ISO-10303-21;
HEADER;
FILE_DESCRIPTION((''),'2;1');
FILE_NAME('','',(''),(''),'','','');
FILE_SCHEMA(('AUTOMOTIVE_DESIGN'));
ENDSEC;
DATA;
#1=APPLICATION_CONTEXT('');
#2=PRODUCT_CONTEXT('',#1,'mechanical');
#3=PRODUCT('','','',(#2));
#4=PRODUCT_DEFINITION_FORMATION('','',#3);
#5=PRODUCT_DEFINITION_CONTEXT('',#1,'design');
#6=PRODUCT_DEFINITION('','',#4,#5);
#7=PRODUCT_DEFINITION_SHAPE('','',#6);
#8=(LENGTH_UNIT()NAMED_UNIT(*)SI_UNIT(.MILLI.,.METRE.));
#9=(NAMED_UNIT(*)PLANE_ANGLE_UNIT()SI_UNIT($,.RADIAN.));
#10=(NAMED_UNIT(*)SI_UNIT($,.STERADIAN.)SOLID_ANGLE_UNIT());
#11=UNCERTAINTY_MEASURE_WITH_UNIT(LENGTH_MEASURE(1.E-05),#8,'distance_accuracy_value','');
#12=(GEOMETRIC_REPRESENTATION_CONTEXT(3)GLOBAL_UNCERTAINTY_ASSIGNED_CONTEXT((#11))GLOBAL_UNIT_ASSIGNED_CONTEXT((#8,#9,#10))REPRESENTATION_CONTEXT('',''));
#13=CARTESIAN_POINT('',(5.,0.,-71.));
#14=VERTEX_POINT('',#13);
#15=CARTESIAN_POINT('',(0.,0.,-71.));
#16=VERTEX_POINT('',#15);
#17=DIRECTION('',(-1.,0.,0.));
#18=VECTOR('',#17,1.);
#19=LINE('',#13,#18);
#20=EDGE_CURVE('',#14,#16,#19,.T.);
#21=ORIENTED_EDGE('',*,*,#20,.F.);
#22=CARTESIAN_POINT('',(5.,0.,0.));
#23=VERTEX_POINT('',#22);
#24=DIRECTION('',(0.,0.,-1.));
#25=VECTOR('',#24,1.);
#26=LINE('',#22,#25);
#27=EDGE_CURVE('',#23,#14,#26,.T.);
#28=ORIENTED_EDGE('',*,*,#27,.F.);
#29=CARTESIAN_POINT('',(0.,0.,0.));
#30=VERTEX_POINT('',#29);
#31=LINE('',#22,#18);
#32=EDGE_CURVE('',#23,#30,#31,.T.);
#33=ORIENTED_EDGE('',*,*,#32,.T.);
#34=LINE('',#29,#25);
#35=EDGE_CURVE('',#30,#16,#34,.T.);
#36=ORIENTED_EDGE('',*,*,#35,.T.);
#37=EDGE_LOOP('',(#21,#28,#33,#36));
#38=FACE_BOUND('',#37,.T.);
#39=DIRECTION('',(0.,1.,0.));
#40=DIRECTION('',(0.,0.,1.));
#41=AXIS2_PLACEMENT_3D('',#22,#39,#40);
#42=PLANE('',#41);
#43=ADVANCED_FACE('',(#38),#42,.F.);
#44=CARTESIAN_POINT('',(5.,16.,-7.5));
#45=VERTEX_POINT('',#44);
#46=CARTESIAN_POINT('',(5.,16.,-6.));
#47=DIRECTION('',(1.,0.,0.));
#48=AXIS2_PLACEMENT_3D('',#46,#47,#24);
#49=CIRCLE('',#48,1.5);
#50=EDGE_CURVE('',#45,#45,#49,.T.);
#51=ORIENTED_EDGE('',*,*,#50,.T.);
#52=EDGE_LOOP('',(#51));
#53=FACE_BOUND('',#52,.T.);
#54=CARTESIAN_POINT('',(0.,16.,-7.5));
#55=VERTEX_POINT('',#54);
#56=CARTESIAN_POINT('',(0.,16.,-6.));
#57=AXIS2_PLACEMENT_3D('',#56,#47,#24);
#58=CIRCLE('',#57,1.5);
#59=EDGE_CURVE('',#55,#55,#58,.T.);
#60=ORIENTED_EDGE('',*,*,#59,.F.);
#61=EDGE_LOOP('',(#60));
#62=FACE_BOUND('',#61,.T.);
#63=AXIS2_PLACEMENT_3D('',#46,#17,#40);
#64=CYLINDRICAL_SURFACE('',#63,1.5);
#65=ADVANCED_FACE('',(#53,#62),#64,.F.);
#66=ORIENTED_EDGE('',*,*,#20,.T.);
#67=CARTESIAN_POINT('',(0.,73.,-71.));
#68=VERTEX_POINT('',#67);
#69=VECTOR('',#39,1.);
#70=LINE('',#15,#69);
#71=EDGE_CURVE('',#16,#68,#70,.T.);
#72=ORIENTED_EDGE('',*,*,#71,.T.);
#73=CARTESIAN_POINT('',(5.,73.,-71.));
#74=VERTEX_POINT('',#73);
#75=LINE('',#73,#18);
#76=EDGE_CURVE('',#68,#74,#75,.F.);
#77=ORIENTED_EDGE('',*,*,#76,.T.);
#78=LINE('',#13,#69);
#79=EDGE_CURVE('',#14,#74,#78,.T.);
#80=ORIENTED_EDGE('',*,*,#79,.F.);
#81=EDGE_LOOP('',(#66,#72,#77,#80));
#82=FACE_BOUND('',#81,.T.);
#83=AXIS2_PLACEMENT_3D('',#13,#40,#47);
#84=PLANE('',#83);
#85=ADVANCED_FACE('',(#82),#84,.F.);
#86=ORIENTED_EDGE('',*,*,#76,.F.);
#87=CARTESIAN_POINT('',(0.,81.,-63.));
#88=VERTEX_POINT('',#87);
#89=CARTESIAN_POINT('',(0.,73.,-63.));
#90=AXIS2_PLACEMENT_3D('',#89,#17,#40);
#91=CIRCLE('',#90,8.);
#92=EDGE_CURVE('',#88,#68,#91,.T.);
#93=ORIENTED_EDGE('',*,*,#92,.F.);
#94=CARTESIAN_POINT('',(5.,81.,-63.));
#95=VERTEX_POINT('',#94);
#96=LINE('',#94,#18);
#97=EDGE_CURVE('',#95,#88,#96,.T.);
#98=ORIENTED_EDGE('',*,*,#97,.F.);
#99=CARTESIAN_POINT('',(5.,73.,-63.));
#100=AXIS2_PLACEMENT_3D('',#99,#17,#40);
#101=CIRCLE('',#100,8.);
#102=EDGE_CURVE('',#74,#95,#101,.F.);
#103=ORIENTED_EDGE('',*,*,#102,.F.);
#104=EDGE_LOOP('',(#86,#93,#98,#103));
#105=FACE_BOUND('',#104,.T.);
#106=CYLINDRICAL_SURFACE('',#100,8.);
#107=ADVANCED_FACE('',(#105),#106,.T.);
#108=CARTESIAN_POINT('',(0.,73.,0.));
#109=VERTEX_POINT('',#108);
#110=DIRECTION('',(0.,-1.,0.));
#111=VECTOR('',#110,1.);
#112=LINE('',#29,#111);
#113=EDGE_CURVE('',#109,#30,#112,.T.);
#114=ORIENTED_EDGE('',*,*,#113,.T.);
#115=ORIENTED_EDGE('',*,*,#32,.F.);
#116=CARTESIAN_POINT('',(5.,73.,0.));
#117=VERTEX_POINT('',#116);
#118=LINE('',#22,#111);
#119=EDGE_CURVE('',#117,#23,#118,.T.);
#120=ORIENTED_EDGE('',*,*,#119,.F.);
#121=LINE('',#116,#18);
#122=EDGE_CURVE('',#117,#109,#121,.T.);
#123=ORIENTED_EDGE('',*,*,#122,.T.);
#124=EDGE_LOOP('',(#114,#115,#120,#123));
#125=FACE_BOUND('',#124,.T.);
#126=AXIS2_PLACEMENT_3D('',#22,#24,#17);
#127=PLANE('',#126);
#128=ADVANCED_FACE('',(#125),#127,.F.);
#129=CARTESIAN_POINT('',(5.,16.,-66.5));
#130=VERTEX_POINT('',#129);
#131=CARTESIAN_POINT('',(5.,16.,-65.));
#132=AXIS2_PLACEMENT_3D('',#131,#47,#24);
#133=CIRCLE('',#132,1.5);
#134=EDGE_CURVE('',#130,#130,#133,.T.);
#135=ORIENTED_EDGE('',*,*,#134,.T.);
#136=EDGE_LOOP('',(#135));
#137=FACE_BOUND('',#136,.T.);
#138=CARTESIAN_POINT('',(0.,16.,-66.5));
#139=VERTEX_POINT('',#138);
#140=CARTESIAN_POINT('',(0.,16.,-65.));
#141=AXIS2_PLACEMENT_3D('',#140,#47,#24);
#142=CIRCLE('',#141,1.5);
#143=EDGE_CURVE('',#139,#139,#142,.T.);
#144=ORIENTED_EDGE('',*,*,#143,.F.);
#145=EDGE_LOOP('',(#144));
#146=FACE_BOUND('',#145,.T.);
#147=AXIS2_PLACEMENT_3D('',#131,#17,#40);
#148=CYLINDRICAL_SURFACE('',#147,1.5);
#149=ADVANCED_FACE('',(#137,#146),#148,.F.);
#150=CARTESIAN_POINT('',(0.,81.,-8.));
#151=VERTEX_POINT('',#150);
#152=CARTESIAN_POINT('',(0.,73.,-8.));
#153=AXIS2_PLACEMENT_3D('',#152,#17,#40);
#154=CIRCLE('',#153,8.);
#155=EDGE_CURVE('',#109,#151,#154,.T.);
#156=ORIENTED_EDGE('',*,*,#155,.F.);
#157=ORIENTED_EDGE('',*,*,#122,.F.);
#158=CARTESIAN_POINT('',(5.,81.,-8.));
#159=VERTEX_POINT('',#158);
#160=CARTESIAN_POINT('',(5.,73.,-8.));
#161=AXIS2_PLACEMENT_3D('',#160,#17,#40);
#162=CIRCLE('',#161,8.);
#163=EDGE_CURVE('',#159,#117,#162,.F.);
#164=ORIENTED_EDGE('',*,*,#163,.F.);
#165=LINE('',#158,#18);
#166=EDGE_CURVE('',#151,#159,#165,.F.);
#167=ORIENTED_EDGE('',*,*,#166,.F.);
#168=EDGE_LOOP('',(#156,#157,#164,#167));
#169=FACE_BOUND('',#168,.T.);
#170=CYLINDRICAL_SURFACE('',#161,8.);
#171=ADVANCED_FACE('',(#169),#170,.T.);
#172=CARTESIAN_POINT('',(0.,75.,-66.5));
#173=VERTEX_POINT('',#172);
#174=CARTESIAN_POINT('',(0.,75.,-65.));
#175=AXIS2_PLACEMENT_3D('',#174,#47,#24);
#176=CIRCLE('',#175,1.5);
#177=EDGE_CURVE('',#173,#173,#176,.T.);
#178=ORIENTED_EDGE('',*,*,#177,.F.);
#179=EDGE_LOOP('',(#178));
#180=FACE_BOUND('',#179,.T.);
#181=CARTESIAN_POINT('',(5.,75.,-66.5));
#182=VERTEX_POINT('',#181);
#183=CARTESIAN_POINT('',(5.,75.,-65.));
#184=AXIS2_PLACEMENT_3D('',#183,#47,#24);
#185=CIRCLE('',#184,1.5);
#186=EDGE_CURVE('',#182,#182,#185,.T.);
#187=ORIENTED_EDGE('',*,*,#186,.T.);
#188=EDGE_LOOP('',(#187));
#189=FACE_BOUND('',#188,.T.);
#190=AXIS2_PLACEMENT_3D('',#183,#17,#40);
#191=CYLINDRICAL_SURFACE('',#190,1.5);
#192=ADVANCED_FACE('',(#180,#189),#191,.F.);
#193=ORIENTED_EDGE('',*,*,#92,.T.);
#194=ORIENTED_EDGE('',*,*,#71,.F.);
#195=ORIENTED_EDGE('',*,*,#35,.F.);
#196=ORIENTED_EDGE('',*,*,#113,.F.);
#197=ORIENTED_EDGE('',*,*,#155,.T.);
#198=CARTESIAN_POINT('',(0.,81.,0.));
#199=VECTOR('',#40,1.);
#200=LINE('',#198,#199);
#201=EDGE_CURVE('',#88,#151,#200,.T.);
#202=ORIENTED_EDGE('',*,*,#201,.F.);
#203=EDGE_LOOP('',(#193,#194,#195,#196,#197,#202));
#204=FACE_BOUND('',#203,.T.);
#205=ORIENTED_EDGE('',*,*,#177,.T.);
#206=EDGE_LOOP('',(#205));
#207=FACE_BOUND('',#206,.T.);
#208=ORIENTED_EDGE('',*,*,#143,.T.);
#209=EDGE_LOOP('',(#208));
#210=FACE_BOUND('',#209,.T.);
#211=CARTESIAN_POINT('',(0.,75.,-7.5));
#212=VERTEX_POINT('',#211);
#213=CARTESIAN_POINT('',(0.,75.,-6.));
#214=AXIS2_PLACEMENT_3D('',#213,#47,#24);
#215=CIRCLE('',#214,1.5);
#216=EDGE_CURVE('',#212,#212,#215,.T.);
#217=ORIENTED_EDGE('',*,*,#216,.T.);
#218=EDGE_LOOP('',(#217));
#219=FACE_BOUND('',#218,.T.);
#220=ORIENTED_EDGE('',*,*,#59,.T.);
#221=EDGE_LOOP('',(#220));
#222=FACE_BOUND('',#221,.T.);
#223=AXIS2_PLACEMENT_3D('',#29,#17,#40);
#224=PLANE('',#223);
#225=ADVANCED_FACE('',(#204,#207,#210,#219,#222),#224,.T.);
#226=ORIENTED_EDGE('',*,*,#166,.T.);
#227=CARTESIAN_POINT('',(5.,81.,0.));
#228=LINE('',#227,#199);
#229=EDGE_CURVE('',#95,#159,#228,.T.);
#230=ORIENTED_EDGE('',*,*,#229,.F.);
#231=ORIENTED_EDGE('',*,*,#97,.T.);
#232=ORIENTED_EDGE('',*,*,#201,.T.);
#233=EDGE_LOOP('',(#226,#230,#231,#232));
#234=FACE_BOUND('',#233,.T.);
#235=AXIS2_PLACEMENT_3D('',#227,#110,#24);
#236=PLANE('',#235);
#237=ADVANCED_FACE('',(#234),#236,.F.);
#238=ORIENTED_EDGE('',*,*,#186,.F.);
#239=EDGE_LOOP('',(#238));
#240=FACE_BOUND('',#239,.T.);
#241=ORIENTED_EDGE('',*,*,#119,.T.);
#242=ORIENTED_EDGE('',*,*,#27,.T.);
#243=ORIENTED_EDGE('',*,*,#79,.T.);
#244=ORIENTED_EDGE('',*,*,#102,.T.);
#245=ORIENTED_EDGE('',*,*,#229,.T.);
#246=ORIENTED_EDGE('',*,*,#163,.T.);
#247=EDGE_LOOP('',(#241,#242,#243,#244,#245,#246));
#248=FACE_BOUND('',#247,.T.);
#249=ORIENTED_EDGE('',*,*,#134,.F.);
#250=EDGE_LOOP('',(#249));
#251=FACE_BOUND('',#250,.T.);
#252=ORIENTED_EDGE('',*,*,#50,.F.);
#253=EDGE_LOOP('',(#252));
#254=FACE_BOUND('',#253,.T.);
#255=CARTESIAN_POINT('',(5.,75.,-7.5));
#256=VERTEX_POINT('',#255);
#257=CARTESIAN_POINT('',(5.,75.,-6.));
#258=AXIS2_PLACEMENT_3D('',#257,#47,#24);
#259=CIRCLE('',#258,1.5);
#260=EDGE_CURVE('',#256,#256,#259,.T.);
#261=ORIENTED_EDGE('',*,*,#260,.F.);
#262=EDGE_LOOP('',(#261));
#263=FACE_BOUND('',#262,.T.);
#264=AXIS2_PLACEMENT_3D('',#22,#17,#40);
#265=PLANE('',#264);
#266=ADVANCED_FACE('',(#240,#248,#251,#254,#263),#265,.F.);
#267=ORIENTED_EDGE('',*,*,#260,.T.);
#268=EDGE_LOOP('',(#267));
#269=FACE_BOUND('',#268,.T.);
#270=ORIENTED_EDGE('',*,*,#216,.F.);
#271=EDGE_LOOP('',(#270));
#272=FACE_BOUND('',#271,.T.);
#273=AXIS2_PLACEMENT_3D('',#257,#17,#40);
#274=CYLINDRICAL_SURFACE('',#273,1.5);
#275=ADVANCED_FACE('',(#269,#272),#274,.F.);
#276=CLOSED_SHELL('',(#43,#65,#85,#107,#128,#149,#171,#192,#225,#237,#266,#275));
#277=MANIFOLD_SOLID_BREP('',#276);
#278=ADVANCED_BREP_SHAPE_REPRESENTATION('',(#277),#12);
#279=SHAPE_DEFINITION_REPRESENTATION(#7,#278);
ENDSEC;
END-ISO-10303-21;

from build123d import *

# Parameters (mm, degrees)
SKETCH1_W           = 71
SKETCH1_H           = 81
SKETCH1_R           = 1.5
BOSS_EXTRUDE1_DEPTH = 5
FILLET1_R           = 8


with BuildPart() as part:
    # Sketch1 → Boss-Extrude1 (new body)
    with BuildSketch(Plane(origin=(0, 0, 0), x_dir=(0, 0, -1), z_dir=(1, 0, 0))):
        with Locations((35.5, 40.5)):
            Rectangle(SKETCH1_W, SKETCH1_H)
        with Locations((6, 75)):
            Circle(SKETCH1_R, mode=Mode.SUBTRACT)
        with Locations((65, 75)):
            Circle(SKETCH1_R, mode=Mode.SUBTRACT)
        with Locations((6, 16)):
            Circle(SKETCH1_R, mode=Mode.SUBTRACT)
        with Locations((65, 16)):
            Circle(SKETCH1_R, mode=Mode.SUBTRACT)
    extrude(amount=BOSS_EXTRUDE1_DEPTH)

    # Fillet1
    fillet1_edges = [part.edges().sort_by_distance(p)[0] for p in [
        (2.5, 81, 0),
        (2.5, 81, -71),
    ]]
    fillet(fillet1_edges, radius=FILLET1_R)


solid = part.part
